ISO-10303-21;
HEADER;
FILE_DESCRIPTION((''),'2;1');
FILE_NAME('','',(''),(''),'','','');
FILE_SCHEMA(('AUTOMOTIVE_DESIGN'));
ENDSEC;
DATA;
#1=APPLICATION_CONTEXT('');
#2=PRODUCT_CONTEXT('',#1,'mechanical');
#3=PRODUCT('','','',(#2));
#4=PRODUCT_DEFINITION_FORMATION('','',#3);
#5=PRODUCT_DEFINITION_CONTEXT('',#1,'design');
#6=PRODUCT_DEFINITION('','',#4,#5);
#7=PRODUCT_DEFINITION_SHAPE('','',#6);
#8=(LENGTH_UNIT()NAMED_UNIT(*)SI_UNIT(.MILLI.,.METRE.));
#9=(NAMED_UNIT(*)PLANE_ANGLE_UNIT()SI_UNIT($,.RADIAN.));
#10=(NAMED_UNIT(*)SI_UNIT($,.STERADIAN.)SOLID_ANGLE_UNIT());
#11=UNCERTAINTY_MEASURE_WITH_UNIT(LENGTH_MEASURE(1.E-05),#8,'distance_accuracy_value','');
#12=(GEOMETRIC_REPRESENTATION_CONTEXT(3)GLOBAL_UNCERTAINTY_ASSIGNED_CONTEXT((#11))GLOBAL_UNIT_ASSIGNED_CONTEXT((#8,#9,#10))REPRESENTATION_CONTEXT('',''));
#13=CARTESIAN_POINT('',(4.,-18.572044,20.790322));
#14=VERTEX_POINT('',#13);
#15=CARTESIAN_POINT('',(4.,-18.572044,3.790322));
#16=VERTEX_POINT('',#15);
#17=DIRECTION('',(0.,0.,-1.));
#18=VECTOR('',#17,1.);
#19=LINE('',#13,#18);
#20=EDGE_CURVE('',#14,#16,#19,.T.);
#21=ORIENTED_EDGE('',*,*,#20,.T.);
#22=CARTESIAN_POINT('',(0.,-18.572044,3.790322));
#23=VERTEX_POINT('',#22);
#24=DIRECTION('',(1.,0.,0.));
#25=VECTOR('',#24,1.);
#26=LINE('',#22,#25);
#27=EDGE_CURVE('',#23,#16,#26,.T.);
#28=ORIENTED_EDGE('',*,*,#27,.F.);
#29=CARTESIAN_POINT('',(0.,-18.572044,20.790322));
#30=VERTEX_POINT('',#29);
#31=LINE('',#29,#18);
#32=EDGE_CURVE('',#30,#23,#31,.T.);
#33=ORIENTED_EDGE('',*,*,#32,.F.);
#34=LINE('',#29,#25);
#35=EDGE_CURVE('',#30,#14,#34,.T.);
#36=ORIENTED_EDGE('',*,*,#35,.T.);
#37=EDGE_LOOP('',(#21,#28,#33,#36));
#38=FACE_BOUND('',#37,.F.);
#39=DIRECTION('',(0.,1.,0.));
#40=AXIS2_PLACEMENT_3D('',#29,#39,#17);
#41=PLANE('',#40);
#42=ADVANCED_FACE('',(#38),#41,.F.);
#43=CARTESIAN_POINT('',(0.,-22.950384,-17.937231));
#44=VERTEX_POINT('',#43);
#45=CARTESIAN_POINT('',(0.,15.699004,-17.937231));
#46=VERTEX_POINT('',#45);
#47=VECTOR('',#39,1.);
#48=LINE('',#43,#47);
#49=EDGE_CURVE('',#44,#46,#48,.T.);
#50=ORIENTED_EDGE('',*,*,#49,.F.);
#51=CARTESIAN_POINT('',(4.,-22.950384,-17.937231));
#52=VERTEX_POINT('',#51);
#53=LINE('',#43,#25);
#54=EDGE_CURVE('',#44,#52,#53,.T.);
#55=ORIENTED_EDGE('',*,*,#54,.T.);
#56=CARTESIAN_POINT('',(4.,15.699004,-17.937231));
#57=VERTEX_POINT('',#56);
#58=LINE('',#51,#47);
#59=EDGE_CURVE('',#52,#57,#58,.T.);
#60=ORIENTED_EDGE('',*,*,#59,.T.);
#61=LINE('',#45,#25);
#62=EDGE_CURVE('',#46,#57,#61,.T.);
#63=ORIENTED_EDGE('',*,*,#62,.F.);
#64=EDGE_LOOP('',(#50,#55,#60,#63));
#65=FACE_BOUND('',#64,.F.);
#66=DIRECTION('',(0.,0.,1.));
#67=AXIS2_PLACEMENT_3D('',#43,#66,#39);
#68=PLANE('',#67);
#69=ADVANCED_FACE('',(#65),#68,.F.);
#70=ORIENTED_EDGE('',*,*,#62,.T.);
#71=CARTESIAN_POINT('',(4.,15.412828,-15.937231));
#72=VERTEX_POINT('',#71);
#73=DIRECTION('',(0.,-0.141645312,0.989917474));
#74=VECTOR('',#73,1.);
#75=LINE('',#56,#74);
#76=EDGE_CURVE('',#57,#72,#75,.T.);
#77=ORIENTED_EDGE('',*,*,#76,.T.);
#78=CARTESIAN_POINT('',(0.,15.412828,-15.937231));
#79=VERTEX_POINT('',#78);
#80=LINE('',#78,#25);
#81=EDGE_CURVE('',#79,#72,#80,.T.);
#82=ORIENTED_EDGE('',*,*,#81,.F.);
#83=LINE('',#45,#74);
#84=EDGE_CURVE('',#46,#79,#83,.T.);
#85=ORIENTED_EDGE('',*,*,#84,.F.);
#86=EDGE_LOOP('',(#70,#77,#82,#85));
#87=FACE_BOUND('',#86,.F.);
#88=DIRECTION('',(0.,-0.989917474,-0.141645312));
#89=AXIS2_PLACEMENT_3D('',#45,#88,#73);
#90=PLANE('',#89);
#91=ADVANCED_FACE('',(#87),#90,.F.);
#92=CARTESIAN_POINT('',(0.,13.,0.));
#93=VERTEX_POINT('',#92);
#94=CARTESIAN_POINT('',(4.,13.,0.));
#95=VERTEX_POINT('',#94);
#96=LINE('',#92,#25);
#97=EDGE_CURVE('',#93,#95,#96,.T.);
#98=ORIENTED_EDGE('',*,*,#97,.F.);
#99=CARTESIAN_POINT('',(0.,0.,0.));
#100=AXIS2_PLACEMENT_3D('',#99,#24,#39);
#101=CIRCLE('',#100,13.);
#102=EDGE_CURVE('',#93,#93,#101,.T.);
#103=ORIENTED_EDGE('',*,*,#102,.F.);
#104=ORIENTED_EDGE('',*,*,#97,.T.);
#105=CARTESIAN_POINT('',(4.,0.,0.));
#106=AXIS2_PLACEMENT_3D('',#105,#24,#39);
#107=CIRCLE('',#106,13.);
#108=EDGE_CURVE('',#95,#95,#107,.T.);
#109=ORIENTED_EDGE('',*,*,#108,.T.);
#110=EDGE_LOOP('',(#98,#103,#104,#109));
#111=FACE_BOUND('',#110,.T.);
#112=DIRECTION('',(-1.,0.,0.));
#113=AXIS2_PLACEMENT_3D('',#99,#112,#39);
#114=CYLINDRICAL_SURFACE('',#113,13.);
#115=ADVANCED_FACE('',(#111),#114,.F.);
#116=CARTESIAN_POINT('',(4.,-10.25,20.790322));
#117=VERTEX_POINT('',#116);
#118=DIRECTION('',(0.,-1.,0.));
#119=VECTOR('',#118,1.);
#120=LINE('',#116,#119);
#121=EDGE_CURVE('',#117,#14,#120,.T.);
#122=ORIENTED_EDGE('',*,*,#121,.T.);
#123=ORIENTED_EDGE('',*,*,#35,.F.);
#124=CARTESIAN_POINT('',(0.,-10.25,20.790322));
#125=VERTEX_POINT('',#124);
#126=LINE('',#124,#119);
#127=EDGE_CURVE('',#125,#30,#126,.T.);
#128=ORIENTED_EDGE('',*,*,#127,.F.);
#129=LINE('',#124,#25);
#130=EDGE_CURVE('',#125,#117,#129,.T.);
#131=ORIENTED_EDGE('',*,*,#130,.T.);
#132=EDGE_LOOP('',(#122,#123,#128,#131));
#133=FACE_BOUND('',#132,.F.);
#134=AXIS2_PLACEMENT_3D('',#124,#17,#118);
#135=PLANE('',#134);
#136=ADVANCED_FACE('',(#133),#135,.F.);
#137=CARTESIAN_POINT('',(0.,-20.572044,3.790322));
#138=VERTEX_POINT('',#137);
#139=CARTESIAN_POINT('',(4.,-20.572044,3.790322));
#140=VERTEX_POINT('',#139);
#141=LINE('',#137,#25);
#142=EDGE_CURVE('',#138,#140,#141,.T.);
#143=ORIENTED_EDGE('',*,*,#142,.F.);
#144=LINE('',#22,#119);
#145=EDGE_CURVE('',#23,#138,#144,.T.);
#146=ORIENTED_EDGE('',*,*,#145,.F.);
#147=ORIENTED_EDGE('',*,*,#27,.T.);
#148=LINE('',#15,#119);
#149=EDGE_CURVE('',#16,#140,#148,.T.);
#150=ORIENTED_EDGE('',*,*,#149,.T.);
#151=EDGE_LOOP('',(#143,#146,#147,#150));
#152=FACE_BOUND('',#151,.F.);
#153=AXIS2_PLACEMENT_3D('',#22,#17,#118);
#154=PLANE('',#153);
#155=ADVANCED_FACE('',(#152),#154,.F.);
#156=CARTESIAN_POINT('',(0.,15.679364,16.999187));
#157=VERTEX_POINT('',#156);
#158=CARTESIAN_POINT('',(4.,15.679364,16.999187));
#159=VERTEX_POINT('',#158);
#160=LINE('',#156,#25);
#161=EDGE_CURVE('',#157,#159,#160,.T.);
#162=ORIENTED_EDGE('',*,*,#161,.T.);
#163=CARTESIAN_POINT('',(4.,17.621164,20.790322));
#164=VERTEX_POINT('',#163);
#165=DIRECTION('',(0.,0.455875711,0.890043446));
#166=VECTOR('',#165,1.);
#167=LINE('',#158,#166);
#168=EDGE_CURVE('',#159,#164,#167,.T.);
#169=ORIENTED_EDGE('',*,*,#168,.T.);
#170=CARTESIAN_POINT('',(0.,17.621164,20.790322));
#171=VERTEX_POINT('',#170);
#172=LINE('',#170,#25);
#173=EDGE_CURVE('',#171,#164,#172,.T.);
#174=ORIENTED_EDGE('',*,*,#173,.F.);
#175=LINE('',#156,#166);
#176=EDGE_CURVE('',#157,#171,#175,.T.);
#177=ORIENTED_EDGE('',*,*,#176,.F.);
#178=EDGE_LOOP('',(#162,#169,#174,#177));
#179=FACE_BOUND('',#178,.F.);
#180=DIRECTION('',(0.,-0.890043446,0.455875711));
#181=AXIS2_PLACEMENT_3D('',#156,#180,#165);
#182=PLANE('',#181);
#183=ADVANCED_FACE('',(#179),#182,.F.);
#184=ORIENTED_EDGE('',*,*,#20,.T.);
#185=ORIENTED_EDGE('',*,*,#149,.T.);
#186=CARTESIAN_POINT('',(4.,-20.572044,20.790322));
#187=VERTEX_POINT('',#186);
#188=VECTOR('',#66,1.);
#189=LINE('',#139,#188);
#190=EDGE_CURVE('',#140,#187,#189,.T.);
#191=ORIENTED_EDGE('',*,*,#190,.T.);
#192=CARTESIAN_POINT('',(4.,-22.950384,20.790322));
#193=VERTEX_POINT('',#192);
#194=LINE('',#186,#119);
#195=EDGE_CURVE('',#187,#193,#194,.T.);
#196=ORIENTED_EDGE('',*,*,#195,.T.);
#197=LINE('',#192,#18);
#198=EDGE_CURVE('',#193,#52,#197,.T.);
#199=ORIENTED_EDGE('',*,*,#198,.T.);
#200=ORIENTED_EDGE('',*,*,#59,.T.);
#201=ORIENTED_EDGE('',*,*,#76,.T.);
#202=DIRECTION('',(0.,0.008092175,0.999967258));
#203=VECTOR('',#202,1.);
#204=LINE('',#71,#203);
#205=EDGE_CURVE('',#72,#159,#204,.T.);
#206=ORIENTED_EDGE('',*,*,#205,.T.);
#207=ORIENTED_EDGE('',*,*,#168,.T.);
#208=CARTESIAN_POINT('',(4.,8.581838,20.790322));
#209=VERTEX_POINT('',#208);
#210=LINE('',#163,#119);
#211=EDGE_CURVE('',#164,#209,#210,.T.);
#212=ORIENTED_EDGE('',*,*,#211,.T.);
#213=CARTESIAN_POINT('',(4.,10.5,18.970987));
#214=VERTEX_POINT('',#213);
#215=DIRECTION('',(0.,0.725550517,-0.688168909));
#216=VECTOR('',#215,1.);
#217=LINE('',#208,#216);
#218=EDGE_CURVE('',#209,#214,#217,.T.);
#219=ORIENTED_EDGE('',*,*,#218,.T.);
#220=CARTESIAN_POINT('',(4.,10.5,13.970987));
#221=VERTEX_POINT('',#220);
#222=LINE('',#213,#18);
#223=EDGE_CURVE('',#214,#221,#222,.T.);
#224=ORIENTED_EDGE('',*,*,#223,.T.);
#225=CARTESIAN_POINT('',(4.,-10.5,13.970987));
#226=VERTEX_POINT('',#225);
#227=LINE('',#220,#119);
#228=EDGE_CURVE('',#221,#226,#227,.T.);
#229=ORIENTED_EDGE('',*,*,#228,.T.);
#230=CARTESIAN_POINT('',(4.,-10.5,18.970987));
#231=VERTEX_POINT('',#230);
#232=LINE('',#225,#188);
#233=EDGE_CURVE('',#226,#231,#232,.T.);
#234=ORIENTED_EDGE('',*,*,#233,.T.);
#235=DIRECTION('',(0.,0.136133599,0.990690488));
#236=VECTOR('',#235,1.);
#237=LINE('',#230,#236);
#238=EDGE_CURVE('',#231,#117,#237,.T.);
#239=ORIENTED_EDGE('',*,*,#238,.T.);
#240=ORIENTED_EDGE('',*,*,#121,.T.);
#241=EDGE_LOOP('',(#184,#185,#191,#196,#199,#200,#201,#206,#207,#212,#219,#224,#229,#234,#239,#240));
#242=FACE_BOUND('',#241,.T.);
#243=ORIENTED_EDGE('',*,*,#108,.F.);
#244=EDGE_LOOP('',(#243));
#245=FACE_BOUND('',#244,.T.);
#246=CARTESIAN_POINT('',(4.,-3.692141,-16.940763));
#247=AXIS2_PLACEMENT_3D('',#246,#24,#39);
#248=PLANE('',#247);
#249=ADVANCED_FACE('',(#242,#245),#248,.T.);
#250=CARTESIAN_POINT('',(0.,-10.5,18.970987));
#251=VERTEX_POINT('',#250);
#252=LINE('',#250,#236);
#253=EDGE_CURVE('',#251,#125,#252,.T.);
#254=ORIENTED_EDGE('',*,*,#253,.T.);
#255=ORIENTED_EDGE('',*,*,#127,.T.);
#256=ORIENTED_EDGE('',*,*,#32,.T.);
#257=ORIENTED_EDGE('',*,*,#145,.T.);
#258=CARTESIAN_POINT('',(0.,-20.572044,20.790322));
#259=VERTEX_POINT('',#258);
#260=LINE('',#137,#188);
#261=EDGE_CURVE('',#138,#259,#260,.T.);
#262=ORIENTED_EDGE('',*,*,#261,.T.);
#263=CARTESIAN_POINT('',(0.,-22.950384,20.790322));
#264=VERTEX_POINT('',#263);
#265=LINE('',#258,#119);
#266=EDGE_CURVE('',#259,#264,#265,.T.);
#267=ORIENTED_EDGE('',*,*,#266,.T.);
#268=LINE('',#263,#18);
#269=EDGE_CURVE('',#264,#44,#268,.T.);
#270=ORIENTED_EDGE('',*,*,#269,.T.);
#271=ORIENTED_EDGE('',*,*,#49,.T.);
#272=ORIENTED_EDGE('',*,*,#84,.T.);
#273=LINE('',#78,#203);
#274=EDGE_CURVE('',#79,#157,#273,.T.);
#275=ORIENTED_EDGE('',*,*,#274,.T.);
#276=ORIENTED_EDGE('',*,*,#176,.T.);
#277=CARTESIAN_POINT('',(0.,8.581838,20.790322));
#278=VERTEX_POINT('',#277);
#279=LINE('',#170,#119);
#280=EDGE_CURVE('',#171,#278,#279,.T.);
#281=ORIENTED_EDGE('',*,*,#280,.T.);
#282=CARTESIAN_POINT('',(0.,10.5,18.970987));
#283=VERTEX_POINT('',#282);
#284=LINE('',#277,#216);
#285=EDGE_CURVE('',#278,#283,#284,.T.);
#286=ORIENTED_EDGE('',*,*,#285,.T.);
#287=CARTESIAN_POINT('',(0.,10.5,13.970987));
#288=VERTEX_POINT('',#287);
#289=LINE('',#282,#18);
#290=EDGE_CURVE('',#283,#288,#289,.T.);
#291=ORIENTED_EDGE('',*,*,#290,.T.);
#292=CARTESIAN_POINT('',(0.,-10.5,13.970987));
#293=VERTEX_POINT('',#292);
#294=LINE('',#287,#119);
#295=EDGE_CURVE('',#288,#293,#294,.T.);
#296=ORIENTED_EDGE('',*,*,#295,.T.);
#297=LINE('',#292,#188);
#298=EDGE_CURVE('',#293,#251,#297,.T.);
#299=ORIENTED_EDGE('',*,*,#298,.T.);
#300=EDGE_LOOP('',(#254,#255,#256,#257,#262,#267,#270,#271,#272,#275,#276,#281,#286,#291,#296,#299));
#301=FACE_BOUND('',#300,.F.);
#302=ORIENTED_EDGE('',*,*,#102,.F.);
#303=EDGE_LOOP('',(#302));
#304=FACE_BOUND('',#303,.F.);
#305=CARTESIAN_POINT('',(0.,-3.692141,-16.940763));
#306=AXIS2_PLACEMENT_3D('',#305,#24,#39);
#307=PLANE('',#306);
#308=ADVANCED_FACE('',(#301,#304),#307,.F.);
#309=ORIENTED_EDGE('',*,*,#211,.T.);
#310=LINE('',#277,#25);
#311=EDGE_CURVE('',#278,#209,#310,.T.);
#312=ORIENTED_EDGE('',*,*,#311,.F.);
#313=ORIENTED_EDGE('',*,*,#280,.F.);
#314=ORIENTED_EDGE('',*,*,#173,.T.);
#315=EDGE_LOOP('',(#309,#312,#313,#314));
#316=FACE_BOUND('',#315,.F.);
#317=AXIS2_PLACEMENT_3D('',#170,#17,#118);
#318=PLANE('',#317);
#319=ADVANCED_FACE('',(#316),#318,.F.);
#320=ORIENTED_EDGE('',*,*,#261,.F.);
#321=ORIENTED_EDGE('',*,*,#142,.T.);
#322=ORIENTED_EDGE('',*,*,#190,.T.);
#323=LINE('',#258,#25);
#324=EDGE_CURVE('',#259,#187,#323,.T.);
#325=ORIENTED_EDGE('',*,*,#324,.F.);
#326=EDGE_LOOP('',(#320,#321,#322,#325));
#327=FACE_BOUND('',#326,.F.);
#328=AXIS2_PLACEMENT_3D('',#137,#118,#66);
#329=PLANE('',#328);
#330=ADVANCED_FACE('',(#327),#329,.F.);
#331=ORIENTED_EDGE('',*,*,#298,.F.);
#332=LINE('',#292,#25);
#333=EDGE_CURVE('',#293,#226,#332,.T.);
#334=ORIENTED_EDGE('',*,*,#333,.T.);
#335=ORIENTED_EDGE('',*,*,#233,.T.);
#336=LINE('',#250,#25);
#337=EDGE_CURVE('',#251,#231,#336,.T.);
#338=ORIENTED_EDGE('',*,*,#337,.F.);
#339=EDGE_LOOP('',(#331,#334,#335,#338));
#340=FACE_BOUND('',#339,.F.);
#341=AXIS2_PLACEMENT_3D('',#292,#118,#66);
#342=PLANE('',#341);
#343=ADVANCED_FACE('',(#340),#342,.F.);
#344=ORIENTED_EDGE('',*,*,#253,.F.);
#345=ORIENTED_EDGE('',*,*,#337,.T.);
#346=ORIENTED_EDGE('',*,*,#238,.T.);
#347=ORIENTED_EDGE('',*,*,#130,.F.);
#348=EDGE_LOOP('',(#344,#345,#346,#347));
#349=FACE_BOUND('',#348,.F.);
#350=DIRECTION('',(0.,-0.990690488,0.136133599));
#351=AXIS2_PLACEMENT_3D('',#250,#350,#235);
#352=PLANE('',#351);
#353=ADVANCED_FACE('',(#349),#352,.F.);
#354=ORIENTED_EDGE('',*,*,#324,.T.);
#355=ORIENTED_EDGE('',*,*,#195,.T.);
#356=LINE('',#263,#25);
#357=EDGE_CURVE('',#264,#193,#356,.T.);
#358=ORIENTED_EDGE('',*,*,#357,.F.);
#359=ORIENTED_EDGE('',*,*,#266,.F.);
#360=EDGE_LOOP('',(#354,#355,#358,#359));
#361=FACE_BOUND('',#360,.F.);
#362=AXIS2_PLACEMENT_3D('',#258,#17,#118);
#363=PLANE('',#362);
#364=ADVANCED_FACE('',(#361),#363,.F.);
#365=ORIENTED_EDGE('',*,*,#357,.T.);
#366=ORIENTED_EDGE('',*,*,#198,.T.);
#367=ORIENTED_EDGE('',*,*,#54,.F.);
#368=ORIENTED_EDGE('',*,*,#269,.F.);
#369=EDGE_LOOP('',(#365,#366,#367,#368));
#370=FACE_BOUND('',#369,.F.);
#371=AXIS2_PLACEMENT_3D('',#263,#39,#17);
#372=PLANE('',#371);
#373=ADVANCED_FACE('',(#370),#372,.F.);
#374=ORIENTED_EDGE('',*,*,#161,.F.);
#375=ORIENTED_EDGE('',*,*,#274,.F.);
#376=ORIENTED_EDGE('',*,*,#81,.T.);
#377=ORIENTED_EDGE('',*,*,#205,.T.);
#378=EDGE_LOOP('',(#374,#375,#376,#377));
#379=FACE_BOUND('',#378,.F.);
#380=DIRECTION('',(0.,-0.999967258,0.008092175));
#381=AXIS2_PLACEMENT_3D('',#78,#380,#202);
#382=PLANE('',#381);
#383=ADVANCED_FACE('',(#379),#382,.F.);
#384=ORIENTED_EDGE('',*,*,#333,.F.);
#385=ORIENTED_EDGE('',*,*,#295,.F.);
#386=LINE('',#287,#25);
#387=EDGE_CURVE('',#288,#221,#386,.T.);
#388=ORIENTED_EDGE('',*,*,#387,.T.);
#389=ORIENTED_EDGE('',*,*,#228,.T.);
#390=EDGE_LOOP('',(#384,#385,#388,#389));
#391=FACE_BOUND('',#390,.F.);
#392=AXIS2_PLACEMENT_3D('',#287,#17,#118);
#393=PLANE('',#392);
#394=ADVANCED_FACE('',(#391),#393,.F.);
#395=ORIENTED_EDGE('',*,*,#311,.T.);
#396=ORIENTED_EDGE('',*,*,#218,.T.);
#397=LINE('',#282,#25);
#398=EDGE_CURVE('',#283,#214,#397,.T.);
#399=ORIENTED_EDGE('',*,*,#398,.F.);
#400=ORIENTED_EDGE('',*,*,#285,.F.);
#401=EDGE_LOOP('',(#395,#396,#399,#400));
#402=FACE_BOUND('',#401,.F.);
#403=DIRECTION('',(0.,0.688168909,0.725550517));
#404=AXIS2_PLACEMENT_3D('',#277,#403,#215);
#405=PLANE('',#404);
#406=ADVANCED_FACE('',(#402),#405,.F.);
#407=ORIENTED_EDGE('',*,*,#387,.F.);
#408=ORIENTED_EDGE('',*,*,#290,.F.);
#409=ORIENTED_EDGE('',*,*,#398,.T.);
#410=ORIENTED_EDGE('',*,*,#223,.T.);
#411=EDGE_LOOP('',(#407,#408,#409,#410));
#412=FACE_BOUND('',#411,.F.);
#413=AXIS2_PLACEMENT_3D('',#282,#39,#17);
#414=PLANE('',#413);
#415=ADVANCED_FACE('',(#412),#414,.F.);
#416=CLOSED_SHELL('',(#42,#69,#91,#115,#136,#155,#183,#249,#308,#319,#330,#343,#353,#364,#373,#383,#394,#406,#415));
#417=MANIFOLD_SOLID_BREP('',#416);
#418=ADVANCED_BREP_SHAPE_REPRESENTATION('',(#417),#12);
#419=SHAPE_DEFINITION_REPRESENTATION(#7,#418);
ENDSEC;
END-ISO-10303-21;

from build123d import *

# Parameters (mm, degrees)
F0_R     = 13
F1_DEPTH = 4


with BuildPart() as f1:
    # F0 (on Right) → F1 (new body)
    with BuildSketch(Plane.YZ):
        Polygon((15.412828, -15.937231), (-22.950384, -15.937231), (-22.950384, -17.937231), (15.699004, -17.937231), align=None)
        Polygon((-22.950384, 20.790322), (-22.950384, -15.937231), (15.412828, -15.937231), (15.679364, 16.999187), (17.621164, 20.790322), (10.5, 20.790322), (8.581838, 20.790322), (10.5, 18.970987), (10.5, 13.970987), (-10.5, 13.970987), (-10.5, 18.970987), (-10.25, 20.790322), (-18.572044, 20.790322), (-18.572044, 3.790322), (-20.572044, 3.790322), (-20.572044, 20.790322), align=None)
        Circle(F0_R, mode=Mode.SUBTRACT)
    extrude(amount=F1_DEPTH)


solid = f1.part
